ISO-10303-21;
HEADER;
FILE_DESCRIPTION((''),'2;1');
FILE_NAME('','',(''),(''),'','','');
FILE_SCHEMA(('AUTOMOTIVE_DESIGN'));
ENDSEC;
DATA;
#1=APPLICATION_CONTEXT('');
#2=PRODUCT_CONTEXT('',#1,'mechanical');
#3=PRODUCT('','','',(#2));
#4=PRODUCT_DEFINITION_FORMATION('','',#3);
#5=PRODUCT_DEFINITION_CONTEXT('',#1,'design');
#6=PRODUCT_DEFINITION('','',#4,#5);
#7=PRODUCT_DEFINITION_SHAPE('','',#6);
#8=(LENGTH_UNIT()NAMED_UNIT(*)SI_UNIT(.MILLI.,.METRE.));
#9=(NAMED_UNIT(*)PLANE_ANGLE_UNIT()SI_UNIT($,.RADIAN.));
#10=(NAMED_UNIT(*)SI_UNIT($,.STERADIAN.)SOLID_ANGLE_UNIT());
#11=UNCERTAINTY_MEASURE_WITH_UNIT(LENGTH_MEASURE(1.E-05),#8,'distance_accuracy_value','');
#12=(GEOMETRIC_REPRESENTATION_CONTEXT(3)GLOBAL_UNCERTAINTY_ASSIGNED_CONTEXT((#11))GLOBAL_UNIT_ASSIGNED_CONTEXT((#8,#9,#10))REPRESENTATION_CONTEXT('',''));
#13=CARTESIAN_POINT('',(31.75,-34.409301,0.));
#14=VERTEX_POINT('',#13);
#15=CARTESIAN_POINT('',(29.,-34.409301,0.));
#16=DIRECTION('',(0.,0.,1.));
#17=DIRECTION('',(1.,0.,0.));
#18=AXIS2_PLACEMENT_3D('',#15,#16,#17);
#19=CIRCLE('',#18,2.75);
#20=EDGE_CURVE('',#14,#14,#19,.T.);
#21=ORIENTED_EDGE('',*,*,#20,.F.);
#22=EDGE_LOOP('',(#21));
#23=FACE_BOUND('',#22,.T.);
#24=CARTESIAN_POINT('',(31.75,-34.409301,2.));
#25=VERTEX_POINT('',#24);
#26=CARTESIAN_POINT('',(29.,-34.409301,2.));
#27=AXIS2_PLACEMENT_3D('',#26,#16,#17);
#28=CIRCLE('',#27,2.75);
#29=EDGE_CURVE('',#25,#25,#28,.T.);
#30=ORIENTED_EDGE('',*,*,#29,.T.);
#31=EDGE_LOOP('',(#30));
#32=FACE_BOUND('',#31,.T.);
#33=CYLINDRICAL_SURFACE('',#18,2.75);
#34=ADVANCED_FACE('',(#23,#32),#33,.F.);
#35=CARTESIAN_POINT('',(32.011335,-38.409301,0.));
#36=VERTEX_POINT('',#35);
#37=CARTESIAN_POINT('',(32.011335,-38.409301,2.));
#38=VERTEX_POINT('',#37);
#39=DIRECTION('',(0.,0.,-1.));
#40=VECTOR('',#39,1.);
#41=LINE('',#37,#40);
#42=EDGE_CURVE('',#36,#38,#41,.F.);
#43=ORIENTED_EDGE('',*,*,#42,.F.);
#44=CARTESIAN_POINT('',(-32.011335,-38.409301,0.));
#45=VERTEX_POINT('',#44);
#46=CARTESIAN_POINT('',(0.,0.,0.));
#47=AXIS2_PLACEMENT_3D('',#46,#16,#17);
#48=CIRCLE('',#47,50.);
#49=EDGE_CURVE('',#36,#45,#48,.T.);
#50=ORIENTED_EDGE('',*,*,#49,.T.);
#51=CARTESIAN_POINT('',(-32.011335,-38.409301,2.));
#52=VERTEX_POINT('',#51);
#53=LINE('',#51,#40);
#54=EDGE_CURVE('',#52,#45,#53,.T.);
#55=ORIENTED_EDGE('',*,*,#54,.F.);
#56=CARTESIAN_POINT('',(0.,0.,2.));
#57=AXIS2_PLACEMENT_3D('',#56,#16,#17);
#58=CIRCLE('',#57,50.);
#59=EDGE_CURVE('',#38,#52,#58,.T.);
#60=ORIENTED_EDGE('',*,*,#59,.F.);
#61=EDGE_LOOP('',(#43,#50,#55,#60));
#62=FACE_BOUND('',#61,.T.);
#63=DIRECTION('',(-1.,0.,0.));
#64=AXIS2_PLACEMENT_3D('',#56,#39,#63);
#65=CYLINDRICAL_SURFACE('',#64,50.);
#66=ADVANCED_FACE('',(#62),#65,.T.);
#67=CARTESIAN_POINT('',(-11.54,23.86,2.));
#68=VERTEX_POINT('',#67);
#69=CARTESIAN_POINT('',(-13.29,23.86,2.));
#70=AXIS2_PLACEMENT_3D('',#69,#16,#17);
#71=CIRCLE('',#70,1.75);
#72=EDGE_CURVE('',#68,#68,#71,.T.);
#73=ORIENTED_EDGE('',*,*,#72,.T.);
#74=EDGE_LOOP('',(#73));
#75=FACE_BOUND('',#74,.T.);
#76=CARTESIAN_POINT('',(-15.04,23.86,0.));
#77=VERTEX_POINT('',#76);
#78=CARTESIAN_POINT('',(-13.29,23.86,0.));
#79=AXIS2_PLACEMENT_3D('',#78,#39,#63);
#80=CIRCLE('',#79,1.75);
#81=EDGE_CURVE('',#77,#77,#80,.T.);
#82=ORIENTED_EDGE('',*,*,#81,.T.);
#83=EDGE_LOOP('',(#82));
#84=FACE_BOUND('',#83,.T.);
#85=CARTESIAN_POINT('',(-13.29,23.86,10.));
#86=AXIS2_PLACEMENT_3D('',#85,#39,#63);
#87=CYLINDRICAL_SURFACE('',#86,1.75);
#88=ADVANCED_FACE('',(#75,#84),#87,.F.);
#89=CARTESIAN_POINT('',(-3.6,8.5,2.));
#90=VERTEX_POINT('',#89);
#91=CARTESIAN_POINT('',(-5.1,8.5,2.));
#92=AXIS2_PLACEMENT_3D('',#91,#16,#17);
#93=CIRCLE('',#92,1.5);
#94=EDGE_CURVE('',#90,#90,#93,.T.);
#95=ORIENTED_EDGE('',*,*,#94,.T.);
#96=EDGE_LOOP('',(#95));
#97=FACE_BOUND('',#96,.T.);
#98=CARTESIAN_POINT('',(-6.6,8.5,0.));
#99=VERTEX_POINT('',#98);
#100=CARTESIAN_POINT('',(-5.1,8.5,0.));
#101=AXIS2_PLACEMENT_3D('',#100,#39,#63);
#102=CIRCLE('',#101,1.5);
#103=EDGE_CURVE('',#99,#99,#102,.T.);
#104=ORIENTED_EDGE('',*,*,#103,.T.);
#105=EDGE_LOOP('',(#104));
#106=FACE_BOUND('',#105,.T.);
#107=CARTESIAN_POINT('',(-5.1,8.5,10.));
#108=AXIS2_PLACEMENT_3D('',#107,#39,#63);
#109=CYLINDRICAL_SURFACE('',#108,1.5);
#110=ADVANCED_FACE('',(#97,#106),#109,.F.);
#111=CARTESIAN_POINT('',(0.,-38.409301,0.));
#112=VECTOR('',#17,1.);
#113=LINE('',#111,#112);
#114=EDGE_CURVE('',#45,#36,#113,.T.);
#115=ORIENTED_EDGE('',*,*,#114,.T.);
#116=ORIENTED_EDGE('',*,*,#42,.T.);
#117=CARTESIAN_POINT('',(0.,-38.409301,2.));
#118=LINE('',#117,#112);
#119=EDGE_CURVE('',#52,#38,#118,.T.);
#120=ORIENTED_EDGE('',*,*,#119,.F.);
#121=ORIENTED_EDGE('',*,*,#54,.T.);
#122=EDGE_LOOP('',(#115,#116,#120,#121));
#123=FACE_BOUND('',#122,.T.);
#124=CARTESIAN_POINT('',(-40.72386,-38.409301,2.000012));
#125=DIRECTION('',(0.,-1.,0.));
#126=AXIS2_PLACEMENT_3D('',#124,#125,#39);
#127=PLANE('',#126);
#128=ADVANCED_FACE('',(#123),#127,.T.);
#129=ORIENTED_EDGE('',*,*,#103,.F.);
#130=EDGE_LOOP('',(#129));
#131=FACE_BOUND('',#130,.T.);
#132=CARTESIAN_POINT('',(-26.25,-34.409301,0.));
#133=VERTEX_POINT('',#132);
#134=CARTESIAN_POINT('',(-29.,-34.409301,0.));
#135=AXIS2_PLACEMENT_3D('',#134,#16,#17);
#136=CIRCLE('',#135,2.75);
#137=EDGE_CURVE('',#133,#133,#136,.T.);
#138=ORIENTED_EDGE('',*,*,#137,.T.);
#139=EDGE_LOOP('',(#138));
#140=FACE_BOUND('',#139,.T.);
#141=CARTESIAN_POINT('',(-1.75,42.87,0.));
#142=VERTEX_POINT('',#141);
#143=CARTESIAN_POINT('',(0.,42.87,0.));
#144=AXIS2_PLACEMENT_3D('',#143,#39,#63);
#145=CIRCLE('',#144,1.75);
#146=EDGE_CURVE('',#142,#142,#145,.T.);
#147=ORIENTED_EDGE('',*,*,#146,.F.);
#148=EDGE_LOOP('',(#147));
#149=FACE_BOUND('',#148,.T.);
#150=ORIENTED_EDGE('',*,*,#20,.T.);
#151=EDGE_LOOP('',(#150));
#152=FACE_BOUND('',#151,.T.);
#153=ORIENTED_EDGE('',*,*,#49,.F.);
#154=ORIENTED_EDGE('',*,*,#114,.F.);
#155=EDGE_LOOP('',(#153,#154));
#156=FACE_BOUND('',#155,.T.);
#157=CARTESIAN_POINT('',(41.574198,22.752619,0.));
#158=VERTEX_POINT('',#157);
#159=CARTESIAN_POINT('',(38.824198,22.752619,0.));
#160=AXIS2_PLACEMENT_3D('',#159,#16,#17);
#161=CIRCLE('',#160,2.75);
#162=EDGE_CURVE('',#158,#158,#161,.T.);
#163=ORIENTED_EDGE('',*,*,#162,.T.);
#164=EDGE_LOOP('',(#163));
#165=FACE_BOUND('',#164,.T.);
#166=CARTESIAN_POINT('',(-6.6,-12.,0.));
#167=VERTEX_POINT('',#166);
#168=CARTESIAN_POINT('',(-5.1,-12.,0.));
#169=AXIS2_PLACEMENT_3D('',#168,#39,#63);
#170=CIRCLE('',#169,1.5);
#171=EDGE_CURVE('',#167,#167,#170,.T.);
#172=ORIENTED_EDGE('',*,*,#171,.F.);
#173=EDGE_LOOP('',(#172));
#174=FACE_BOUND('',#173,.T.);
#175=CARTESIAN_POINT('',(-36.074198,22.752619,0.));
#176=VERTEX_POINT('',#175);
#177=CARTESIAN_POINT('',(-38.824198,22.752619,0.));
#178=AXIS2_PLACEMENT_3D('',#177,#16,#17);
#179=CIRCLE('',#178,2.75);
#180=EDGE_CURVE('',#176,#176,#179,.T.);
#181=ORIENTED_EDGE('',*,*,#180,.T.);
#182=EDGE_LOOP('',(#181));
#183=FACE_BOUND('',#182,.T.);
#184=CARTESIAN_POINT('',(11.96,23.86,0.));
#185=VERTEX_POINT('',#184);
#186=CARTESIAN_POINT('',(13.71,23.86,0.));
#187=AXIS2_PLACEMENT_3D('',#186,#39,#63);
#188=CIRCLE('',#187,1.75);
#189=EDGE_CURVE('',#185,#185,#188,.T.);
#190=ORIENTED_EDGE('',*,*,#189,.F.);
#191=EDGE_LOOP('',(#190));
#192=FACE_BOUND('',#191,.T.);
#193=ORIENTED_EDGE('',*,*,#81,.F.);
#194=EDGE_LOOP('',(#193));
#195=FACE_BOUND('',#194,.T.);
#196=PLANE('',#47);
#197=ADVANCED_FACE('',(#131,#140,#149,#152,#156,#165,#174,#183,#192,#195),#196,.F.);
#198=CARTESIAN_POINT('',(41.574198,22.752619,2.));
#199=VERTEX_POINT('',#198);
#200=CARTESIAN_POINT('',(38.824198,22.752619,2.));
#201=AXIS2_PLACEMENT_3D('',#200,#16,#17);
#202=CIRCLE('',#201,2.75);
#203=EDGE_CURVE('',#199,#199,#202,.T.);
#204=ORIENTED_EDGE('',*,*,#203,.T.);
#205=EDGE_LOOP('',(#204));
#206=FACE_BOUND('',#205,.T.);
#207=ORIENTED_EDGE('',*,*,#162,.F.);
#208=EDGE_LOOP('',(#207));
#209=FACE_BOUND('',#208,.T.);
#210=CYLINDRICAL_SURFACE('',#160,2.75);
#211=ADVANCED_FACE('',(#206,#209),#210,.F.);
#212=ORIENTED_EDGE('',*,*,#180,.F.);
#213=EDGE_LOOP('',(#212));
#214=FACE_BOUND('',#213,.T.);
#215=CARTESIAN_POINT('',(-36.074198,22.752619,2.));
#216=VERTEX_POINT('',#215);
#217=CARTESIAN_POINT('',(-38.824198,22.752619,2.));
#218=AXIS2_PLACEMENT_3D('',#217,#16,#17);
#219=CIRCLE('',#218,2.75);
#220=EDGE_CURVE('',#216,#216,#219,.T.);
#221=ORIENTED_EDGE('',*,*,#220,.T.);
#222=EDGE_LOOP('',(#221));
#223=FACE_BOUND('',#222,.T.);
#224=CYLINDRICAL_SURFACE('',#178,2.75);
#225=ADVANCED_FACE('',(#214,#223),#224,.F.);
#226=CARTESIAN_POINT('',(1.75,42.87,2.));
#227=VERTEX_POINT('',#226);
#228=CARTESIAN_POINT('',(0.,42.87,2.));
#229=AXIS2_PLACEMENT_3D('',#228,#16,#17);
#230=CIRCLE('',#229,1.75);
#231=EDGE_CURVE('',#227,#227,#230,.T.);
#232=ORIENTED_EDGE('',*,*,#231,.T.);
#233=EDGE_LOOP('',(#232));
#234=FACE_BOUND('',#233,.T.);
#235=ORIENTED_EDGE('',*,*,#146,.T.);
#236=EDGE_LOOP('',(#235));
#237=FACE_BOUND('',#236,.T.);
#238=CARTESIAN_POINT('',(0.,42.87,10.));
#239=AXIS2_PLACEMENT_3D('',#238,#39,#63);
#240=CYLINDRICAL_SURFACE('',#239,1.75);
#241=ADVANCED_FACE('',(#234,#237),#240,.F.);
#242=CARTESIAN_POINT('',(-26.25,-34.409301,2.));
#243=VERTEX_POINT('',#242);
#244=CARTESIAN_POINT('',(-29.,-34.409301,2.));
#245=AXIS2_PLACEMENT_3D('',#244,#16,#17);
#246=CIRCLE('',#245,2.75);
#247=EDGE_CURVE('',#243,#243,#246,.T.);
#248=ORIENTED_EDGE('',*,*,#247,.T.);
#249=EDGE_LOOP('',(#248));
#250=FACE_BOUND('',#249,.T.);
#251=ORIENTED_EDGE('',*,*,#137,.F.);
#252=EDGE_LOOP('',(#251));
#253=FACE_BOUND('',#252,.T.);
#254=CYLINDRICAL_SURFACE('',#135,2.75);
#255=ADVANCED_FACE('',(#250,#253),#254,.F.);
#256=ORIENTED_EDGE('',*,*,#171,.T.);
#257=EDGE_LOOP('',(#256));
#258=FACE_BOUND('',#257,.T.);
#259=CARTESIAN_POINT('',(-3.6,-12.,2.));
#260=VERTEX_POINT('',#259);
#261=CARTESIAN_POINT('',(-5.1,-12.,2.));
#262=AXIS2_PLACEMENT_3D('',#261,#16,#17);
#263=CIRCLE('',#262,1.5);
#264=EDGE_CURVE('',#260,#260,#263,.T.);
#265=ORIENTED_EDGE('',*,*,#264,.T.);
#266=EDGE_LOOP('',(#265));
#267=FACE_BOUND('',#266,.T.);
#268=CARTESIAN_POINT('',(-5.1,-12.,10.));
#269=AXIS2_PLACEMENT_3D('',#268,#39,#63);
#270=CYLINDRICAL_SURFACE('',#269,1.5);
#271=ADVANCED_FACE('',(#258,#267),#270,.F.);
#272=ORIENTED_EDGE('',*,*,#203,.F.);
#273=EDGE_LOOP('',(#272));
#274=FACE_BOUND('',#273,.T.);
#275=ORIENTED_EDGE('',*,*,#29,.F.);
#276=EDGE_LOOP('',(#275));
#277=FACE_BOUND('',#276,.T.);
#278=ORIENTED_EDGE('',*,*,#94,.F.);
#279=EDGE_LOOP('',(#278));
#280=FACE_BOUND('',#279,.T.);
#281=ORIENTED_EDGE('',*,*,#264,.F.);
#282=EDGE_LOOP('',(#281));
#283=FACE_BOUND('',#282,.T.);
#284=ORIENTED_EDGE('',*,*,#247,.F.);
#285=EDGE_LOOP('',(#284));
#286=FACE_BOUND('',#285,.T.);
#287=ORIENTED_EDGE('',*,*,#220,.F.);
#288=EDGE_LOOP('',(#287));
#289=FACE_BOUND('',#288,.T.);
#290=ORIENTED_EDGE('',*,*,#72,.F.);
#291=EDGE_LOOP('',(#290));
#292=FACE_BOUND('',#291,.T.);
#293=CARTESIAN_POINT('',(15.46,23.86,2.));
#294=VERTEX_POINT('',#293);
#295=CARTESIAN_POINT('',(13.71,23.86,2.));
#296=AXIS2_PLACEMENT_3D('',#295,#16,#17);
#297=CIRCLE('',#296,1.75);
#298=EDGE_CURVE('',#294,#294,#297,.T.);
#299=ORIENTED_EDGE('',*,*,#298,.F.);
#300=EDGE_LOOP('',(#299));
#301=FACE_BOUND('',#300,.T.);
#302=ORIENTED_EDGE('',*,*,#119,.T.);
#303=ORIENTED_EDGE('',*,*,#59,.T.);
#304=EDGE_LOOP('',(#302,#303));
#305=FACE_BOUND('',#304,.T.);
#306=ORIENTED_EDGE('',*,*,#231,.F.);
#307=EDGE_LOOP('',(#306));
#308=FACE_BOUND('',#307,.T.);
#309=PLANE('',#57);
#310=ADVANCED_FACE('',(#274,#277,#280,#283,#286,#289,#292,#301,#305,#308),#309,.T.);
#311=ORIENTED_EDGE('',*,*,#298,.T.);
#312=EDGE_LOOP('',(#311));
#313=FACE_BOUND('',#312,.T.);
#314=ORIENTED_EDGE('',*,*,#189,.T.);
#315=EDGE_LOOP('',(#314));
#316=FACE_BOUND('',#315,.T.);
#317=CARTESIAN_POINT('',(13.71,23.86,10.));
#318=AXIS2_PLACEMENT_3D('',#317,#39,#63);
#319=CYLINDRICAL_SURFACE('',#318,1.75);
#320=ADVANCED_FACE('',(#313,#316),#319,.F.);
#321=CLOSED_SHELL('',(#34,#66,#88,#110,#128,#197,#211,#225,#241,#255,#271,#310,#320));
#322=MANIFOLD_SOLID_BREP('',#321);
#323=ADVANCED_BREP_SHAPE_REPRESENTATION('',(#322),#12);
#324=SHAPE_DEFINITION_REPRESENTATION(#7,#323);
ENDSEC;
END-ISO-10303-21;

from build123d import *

# Parameters (mm, degrees)
ESBO_O1_R                  = 50
RESSALTO_EXTRUS_O1_DEPTH   = 2
ESBO_O2_R                  = 2.75
CORTE_EXTRUS_O1_DEPTH      = 2
CORTE_EXTRUS_O2_DEPTH      = 1
CORTE_EXTRUS_O2_DEPTH_BACK = 10
ESBO_O5_R                  = 1.5
ESBO_O5_R_2                = 1.75
CORTE_EXTRUS_O3_DEPTH      = 10


with BuildPart() as part:
    # Esboço1 → Ressalto-extrusão1 (new body)
    with BuildSketch(Plane.XY):
        Circle(ESBO_O1_R)
    extrude(amount=RESSALTO_EXTRUS_O1_DEPTH)

    # Esboço2 → Corte-extrusão1 (cut)
    with BuildSketch(Plane.XY.offset(2)):
        with Locations((-29, -34.409301068)):
            Circle(ESBO_O2_R)
        with Locations((29, -34.409301068)):
            Circle(ESBO_O2_R)
        with Locations((-38.824197531, 22.752619324)):
            Circle(ESBO_O2_R)
        with Locations((38.824197531, 22.752619324)):
            Circle(ESBO_O2_R)
    extrude(amount=-CORTE_EXTRUS_O1_DEPTH, mode=Mode.SUBTRACT)

    # Esboço4 → Corte-extrusão2 (cut, two sides)
    with BuildSketch(Plane.XY.offset(2)) as corte_extrus_o2_sk:
        Polygon((-40.723859979, -38.409301068), (44.57073926, -38.409301068), (1.923439641, -68.002213614), align=None)
    extrude(amount=CORTE_EXTRUS_O2_DEPTH, mode=Mode.SUBTRACT)
    extrude(corte_extrus_o2_sk.sketch, amount=-CORTE_EXTRUS_O2_DEPTH_BACK, mode=Mode.SUBTRACT)

    # Esboço5 → Corte-extrusão3 (cut)
    with BuildSketch(Plane(origin=(0, 0, 0), x_dir=(-1, 0, 0), z_dir=(0, 0, -1))):
        with Locations((5.1, 8.5)):
            Circle(ESBO_O5_R)
        with Locations((5.1, -12)):
            Circle(ESBO_O5_R)
        with Locations((-13.71, 23.86)):
            Circle(ESBO_O5_R_2)
        with Locations((13.29, 23.86)):
            Circle(ESBO_O5_R_2)
        with Locations((0, 42.87)):
            Circle(ESBO_O5_R_2)
    extrude(amount=-CORTE_EXTRUS_O3_DEPTH, mode=Mode.SUBTRACT)


solid = part.part
